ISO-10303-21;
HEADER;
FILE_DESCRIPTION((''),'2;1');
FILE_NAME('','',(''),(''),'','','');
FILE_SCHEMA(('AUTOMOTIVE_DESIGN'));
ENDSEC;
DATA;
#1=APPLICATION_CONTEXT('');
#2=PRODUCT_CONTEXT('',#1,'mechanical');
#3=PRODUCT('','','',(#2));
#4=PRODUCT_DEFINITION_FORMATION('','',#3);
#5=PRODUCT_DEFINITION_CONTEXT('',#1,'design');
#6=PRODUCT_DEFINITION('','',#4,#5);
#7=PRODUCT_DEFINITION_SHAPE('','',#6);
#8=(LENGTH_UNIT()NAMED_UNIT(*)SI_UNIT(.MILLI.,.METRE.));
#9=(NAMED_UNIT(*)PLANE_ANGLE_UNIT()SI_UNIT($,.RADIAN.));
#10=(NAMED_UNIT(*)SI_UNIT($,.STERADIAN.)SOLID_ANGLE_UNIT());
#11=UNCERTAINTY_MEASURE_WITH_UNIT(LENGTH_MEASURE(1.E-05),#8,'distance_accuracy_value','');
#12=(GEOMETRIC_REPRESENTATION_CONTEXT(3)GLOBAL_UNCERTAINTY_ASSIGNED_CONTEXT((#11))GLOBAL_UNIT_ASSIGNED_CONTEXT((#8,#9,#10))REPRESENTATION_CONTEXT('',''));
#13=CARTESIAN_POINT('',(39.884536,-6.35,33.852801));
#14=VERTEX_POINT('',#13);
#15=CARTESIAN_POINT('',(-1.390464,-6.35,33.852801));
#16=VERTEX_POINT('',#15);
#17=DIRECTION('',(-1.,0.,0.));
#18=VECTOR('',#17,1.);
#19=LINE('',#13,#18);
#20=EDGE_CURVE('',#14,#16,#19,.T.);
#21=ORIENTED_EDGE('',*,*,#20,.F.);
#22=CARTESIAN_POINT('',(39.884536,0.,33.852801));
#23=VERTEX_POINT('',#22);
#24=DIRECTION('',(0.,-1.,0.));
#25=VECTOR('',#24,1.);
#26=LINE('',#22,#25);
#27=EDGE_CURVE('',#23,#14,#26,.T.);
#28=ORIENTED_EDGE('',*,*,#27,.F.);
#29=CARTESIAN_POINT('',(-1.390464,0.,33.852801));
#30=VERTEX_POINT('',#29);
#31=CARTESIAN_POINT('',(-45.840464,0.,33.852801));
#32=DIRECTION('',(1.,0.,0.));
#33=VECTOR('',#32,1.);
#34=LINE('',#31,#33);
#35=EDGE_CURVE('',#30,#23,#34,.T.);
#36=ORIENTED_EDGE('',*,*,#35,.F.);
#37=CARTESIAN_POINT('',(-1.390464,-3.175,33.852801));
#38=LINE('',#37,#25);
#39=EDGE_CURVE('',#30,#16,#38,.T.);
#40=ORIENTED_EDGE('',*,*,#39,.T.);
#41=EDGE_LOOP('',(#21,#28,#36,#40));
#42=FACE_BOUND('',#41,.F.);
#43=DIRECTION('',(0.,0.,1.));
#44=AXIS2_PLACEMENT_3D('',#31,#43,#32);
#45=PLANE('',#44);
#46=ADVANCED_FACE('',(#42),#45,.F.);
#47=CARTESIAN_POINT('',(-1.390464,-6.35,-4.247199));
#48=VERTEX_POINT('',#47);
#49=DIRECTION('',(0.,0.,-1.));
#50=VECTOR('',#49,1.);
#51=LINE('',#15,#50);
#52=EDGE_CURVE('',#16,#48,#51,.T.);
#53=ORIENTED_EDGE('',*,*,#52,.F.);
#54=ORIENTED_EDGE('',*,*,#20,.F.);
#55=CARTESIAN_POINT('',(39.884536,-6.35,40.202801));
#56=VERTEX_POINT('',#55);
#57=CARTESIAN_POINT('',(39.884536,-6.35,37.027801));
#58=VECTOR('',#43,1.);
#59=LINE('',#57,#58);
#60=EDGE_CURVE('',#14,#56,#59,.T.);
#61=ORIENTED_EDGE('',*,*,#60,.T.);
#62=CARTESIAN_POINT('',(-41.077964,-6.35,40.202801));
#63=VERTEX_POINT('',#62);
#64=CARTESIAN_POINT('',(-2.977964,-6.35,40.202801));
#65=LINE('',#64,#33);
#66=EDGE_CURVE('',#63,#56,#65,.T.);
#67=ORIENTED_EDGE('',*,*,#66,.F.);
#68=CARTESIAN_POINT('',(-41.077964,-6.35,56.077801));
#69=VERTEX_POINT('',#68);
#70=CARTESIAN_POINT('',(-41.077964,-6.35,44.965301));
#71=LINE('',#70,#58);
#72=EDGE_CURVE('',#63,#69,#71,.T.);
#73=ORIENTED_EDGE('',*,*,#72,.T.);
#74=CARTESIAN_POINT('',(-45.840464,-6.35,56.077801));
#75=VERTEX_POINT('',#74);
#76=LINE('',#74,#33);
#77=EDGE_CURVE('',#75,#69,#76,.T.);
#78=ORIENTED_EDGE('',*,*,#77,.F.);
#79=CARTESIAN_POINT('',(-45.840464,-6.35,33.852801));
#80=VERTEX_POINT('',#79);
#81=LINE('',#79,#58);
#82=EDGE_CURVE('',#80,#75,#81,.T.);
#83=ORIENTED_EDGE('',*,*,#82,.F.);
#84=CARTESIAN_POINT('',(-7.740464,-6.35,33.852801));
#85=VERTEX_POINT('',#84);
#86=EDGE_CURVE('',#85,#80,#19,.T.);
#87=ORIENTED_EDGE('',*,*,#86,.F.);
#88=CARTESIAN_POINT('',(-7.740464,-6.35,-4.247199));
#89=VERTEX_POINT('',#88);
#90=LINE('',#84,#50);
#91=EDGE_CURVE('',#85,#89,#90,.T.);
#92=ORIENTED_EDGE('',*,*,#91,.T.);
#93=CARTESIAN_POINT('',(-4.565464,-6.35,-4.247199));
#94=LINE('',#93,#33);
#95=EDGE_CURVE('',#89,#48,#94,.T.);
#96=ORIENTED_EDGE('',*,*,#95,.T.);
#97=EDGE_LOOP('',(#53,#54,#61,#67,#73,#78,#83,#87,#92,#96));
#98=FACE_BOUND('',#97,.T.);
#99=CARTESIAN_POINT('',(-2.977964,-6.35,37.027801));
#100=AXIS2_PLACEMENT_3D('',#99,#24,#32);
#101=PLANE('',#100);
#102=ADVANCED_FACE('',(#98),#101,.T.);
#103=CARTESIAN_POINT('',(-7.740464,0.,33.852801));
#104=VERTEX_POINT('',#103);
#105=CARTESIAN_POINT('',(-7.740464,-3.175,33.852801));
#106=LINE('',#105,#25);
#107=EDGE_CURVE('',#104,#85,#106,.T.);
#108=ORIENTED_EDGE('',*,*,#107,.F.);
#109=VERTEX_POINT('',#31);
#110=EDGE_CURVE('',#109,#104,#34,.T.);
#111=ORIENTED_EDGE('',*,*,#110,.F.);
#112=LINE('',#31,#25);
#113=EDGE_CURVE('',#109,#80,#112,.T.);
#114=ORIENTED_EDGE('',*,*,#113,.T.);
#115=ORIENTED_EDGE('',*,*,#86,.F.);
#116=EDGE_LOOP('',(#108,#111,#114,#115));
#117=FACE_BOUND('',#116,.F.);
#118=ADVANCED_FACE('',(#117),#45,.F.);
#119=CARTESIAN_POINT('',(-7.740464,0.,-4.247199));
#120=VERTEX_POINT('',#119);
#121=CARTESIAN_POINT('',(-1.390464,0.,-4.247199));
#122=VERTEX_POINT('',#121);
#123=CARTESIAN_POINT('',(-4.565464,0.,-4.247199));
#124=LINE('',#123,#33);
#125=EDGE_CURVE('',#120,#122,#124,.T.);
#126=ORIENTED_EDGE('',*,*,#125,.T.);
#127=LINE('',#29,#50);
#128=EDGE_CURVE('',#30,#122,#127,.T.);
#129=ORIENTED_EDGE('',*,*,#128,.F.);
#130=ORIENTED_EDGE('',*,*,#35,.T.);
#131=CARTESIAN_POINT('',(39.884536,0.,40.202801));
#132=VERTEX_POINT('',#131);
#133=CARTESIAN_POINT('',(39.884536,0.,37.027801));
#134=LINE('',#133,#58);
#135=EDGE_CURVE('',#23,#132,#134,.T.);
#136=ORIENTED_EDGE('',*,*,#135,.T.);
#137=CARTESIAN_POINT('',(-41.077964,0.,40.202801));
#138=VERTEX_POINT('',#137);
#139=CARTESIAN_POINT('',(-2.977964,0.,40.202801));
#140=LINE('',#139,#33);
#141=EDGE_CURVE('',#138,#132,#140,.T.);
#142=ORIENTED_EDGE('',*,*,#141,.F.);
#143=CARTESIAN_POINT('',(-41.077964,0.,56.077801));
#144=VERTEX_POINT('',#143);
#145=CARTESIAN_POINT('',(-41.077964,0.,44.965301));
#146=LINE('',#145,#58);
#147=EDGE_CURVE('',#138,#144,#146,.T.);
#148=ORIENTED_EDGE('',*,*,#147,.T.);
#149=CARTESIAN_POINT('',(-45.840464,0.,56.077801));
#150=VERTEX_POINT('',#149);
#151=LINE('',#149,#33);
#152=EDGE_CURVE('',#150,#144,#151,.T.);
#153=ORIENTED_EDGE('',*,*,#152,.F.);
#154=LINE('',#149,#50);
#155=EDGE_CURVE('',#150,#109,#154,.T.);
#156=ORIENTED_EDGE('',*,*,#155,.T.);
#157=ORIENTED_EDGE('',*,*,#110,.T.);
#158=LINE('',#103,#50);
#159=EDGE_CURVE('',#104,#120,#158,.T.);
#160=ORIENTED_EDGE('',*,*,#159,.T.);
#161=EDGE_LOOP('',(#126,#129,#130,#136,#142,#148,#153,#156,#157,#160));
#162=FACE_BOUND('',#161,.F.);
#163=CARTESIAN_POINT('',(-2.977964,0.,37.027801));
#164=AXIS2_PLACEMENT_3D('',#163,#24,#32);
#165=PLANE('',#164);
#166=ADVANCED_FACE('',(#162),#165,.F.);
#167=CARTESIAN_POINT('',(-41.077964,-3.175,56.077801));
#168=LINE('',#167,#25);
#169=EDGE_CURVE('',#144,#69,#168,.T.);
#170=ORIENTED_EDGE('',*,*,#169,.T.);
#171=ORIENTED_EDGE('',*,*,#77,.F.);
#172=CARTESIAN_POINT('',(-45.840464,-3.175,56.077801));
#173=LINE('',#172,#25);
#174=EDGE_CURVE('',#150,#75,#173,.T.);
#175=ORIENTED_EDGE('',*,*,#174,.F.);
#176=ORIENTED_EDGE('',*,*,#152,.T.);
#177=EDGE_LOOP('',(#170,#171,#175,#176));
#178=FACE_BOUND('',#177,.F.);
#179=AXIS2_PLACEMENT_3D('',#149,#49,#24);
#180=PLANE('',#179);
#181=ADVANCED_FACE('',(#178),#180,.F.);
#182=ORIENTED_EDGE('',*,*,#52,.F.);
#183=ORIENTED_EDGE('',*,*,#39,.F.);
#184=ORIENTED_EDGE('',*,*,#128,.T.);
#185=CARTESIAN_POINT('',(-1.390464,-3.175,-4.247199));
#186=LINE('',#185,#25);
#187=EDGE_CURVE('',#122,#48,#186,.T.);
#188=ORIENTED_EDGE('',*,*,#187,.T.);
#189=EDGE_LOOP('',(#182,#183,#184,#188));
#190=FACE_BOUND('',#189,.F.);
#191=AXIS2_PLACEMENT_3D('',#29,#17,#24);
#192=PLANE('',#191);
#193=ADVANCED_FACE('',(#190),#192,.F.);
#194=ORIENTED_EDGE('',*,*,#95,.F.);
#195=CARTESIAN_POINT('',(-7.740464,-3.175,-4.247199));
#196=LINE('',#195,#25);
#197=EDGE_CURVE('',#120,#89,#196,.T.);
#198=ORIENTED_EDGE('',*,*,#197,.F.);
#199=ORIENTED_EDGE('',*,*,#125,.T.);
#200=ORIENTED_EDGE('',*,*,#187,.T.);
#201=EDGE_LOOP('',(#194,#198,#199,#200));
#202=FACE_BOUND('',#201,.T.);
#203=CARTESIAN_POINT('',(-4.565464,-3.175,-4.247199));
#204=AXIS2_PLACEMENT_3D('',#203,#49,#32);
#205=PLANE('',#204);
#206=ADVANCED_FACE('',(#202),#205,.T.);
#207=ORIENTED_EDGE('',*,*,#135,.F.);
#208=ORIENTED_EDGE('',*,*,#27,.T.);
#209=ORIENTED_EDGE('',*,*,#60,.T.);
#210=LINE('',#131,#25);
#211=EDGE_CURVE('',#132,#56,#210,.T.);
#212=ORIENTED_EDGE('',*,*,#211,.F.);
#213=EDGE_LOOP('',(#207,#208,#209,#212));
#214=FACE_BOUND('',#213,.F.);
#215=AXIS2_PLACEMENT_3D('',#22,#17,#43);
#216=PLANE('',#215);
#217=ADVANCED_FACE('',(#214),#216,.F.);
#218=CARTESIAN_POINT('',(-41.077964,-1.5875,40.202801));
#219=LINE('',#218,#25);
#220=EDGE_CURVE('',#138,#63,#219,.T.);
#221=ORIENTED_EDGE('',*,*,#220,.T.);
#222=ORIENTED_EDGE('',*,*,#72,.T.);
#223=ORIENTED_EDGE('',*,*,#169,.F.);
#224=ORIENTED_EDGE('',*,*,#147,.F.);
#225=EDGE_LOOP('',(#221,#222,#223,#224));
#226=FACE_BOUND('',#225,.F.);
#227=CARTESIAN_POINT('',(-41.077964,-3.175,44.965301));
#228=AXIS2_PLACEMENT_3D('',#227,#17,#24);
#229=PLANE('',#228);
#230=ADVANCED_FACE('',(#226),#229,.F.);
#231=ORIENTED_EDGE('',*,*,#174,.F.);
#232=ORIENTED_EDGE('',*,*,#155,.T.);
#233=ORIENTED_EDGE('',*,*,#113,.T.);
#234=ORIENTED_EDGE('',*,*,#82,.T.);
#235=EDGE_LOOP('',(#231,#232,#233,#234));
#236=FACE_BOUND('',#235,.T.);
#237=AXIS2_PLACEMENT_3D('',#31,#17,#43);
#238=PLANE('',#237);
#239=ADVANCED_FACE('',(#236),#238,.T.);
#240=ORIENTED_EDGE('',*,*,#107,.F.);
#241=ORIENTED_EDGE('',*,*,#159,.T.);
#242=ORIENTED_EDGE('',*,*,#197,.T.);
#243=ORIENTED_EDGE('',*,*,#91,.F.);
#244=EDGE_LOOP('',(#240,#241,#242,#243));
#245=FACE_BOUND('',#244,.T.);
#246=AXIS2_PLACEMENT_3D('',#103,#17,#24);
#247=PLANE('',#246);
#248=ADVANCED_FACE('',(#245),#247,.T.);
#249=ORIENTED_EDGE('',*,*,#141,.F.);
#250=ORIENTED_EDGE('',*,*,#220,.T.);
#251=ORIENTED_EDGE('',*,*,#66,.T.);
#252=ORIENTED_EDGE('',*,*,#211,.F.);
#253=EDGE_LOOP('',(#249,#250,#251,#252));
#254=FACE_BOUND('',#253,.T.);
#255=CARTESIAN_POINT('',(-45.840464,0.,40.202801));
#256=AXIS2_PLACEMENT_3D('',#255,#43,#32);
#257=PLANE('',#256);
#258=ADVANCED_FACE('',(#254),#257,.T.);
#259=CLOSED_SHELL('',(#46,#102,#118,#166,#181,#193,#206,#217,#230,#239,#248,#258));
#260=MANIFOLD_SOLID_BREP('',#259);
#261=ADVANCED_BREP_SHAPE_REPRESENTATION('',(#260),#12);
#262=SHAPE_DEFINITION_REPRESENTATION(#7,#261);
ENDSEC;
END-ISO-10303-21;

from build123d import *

# Parameters (mm, degrees)
F0_W     = 85.725
F0_H     = 6.35
F1_DEPTH = 6.35
F2_W     = 6.35
F2_H     = 22.225
F3_DEPTH = 4.7625
F4_W     = 6.35
F4_H     = 6.35
F5_DEPTH = 38.1


with BuildPart() as f1:
    # F0 (on Front) → F1 (new body)
    with BuildSketch(Plane.XZ):
        with Locations((-2.977964, 37.027801)):
            Rectangle(F0_W, F0_H)
    extrude(amount=F1_DEPTH)

    # F2 (on face) → F3 (join)
    with BuildSketch(Plane(origin=(-45.840464, 0, 0), x_dir=(0, -1, 0), z_dir=(-1, 0, 0))):
        with Locations((3.175, 44.965301)):
            Rectangle(F2_W, F2_H)
    extrude(amount=-F3_DEPTH)

    # F4 (on face) → F5 (join)
    with BuildSketch(Plane(origin=(0, 0, 33.852801), x_dir=(1, 0, 0), z_dir=(0, 0, -1))):
        with Locations((-4.565464, 3.175)):
            Rectangle(F4_W, F4_H)
    extrude(amount=F5_DEPTH)


solid = f1.part
